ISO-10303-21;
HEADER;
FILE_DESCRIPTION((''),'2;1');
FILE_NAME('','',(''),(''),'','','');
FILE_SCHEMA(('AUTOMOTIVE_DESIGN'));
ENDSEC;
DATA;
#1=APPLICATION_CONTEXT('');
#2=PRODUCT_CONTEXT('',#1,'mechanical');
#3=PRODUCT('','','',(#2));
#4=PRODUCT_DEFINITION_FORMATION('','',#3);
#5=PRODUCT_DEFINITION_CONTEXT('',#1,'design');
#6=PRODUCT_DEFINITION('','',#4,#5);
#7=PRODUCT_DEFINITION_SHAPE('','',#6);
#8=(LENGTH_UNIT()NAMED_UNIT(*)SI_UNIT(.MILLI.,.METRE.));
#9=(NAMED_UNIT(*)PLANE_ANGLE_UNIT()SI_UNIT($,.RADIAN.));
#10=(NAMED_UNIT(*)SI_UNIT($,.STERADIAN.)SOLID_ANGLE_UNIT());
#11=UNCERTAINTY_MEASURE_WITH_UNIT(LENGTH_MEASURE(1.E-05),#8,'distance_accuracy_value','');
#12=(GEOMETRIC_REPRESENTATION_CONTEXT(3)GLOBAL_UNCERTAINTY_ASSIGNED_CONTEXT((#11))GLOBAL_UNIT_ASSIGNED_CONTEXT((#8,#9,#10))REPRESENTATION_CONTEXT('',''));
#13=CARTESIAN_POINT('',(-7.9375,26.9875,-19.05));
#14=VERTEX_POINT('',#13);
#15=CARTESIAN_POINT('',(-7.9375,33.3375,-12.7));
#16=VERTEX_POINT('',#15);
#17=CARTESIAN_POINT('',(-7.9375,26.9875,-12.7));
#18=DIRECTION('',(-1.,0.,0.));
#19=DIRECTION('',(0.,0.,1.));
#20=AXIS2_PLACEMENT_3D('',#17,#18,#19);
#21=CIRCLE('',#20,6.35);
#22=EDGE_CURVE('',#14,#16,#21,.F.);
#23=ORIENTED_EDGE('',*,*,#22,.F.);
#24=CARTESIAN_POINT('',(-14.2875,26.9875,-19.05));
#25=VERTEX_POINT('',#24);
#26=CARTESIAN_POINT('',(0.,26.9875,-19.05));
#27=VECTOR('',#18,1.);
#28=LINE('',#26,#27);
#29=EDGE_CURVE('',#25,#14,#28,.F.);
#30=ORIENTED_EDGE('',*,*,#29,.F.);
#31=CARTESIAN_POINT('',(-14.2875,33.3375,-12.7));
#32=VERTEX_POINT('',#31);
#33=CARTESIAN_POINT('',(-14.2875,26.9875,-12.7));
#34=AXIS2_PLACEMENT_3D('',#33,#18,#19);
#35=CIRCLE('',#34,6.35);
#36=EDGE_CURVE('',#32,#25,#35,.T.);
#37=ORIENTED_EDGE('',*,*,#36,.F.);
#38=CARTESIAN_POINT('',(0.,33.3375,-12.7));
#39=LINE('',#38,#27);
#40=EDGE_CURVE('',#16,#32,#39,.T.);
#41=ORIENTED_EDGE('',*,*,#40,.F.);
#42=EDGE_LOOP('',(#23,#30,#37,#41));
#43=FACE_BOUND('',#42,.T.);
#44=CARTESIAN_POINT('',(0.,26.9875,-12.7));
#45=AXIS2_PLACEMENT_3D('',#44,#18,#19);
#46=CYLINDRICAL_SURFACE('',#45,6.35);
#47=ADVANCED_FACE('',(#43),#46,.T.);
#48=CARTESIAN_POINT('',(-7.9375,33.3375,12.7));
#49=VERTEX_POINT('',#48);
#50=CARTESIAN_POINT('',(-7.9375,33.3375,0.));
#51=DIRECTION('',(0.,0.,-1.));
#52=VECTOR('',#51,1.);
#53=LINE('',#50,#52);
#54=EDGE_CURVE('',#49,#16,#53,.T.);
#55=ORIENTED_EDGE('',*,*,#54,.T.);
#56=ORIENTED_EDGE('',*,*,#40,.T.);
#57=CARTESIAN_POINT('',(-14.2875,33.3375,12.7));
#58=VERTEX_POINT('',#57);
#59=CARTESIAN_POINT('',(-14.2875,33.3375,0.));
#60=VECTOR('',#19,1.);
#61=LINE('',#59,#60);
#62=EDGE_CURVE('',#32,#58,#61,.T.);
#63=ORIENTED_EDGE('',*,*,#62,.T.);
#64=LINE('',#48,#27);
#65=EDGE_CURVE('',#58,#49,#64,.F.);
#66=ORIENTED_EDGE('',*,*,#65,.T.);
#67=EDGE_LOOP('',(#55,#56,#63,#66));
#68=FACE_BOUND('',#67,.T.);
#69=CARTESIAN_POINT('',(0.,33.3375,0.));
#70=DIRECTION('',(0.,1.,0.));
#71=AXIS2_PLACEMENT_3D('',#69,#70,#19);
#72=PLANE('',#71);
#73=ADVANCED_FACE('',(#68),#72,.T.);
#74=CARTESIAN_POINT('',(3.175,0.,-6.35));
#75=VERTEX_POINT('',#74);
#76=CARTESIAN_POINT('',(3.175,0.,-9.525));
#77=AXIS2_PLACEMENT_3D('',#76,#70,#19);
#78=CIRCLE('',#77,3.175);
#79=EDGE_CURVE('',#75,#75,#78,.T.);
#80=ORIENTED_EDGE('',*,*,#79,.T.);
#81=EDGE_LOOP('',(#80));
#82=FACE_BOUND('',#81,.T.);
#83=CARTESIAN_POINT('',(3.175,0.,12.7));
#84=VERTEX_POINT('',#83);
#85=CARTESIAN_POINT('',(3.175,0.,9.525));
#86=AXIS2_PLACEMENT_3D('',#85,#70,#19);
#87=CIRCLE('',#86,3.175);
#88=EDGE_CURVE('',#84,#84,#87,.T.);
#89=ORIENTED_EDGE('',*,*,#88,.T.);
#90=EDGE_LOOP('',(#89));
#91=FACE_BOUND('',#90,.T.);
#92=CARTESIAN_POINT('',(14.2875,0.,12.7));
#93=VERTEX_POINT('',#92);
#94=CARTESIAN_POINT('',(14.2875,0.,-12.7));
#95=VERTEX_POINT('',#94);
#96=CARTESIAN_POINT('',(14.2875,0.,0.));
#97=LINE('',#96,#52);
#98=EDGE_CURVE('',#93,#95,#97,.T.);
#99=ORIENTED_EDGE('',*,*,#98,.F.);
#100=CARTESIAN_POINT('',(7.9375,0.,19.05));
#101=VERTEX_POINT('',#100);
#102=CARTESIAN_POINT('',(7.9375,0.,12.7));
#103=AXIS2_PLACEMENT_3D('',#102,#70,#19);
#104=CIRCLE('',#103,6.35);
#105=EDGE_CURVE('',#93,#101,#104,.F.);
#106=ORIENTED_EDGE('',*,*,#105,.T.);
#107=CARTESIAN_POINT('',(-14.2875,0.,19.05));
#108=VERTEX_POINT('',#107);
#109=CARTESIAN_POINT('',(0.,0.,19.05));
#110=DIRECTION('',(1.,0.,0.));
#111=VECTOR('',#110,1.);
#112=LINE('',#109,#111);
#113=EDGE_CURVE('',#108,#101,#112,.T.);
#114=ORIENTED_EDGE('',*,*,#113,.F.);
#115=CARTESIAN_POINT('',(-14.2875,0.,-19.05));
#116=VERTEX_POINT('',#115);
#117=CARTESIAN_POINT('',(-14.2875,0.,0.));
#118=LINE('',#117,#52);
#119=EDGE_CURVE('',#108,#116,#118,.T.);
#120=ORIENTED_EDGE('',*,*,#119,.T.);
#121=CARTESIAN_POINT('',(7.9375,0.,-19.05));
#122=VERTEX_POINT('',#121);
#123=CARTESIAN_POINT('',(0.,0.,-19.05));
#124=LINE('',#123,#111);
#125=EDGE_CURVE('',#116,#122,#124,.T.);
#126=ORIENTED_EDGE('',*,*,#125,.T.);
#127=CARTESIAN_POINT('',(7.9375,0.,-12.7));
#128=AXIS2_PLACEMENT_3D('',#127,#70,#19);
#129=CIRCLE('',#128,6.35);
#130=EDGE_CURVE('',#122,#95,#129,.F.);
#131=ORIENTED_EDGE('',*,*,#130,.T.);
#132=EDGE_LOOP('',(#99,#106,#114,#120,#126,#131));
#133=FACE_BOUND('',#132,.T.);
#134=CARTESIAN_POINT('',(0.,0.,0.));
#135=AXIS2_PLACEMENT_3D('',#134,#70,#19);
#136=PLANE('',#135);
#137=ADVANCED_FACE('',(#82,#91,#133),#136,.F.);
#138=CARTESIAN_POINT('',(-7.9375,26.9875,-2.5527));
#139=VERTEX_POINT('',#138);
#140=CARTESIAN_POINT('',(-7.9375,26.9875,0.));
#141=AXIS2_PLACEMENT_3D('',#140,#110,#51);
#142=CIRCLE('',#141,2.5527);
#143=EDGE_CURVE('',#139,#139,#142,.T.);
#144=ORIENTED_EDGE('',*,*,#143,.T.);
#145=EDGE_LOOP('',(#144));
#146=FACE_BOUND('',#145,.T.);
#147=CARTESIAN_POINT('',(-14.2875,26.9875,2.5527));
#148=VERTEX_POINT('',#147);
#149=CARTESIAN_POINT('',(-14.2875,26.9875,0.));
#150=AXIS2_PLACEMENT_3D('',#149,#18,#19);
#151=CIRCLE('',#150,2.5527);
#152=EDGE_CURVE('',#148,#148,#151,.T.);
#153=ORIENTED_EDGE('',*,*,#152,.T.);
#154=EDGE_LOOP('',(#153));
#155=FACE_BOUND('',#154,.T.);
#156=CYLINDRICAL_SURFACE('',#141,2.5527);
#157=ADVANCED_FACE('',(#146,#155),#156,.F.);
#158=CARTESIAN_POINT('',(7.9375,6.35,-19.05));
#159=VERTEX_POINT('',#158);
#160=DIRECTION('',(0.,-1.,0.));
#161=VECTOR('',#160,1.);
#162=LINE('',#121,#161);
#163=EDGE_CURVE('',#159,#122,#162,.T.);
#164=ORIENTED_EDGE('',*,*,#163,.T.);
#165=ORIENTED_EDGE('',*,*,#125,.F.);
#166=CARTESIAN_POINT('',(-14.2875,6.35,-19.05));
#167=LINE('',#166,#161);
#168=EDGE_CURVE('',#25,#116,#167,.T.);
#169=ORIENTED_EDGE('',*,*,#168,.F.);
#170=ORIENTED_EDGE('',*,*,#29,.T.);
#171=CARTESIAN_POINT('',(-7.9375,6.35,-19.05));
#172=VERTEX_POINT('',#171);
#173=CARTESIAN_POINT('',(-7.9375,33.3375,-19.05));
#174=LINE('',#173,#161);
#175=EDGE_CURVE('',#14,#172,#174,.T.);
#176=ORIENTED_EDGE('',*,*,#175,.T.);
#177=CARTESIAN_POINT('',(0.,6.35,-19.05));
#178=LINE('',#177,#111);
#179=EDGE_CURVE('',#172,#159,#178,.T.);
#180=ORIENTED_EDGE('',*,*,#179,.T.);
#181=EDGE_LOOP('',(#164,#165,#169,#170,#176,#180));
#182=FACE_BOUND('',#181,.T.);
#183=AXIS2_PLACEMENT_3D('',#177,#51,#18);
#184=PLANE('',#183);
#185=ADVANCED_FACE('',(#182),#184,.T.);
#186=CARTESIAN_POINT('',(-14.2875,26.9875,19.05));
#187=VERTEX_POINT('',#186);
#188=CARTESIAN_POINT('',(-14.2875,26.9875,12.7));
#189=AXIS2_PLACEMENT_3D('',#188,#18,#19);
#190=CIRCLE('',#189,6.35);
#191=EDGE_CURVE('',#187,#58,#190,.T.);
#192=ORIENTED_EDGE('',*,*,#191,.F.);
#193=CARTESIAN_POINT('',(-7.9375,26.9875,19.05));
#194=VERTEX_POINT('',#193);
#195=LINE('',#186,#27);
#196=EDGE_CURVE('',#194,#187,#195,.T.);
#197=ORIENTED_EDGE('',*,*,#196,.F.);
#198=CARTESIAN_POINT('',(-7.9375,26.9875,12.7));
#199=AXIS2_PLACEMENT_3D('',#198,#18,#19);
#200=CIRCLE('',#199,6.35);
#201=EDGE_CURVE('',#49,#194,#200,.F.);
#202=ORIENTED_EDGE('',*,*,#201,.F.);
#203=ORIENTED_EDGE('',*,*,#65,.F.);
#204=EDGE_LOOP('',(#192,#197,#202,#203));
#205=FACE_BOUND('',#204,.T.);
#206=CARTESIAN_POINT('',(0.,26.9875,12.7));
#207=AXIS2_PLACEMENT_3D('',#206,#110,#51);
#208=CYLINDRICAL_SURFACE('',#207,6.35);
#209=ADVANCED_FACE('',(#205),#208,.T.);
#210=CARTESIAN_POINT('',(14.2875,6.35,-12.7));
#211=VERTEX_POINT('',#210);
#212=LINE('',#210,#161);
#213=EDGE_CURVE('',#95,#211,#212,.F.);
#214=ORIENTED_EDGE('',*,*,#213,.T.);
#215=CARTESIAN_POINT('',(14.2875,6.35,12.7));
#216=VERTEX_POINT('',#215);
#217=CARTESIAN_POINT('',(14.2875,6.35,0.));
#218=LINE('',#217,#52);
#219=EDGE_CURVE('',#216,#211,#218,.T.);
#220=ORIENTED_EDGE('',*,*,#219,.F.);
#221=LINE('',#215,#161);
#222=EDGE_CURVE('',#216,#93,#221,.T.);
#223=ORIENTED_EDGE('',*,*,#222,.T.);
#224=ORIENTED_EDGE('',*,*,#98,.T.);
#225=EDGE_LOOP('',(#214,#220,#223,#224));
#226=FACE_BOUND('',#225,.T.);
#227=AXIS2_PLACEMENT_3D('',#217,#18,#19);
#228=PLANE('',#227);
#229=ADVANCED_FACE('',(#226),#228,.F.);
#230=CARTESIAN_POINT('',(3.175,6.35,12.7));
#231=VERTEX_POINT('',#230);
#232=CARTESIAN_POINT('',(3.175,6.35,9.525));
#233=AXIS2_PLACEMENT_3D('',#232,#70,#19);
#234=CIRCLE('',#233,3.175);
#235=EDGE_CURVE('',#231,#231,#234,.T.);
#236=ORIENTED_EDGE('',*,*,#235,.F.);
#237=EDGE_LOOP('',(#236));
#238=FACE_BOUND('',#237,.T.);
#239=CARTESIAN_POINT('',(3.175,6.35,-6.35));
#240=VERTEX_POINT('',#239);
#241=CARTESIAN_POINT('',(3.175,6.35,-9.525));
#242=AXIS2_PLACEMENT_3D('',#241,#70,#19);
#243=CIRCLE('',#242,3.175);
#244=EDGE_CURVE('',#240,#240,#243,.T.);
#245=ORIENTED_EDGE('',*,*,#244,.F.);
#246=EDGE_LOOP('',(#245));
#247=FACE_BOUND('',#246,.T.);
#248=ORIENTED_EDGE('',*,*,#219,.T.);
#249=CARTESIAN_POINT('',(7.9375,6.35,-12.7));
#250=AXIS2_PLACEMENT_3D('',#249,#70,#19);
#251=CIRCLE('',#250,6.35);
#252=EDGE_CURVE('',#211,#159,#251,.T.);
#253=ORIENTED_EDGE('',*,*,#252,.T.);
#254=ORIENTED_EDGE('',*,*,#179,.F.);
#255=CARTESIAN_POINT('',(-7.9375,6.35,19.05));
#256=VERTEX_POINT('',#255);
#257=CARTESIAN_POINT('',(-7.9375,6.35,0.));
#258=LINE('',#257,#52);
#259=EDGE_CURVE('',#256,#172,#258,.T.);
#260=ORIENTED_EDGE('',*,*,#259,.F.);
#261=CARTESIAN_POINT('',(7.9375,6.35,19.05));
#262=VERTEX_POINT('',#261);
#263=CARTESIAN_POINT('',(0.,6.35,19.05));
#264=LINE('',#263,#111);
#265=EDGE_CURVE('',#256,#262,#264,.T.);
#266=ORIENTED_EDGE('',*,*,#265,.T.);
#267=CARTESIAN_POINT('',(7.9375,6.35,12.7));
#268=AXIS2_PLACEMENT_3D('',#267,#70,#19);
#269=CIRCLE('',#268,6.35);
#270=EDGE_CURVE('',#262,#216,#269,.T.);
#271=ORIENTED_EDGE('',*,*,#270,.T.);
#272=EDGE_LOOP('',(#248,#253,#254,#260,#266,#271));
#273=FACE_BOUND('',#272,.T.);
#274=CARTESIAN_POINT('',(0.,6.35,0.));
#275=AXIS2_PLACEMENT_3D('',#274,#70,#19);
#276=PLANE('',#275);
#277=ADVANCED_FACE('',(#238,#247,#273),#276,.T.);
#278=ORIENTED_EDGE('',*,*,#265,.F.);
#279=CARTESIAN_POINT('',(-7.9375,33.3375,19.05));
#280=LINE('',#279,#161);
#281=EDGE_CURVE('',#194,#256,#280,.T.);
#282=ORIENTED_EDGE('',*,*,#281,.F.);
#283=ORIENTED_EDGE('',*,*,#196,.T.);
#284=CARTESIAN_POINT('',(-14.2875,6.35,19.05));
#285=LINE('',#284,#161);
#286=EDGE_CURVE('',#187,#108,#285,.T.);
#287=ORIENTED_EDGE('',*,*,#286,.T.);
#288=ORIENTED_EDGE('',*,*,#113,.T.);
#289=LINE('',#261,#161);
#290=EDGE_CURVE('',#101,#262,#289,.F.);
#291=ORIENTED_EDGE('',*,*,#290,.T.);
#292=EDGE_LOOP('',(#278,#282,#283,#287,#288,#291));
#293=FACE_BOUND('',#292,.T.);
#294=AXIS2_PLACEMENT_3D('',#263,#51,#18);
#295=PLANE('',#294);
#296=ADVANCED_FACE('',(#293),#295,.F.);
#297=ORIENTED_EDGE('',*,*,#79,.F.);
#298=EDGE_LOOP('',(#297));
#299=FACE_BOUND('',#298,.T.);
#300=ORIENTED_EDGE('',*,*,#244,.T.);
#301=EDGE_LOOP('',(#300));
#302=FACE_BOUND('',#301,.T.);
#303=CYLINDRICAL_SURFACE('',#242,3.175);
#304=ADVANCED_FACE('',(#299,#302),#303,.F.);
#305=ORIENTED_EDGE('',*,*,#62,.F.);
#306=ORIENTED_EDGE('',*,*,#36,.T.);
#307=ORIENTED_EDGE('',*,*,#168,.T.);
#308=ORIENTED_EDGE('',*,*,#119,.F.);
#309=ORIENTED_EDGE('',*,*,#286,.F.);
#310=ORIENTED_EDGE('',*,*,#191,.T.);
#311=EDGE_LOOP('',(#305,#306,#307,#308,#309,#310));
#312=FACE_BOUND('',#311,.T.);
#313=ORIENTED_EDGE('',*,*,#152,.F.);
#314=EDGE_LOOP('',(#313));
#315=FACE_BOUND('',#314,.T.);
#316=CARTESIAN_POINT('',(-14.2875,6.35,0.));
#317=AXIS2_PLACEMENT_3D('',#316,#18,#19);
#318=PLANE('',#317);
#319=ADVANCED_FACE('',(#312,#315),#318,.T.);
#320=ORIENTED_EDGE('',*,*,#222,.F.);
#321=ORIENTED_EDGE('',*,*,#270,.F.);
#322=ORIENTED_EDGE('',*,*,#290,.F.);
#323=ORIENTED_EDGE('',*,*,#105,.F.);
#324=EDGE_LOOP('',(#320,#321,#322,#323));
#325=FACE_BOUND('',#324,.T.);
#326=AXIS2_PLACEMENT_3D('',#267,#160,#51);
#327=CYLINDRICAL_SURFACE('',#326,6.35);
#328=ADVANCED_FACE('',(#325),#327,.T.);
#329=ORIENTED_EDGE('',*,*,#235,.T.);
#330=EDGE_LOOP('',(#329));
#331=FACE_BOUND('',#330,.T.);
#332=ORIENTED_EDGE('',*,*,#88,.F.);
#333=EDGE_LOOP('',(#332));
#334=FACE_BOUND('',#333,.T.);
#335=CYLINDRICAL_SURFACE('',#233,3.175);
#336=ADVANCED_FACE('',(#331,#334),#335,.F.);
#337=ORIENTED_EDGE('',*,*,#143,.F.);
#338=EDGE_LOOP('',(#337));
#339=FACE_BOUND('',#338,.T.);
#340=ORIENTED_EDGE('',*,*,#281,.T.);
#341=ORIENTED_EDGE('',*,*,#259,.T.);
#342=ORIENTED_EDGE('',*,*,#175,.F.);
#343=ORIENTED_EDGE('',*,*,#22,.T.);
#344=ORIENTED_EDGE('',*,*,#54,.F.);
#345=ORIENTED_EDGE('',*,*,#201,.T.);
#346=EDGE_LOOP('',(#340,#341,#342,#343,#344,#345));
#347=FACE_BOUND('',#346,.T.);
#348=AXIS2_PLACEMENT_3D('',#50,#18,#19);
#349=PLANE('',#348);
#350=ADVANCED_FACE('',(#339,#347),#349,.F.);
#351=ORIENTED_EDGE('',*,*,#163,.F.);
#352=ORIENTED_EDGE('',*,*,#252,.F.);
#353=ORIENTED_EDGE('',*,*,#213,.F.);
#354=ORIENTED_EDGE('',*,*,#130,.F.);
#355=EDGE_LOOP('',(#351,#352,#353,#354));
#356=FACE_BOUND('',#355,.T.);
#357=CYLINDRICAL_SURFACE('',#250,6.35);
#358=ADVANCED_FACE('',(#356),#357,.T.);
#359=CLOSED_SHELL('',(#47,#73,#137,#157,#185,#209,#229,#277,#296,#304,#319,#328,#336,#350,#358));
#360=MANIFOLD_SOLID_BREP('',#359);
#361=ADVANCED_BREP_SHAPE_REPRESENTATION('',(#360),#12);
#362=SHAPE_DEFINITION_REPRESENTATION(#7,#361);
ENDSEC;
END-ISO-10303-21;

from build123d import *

# Parameters (mm, degrees)
SKETCH8_W                   = 6.35
SKETCH8_H                   = 38.1
SKETCH8_W_2                 = 22.225
BOSS_EXTRUDE2_DEPTH         = 6.35
BOSS_EXTRUDE3_START         = 6.35
SKETCH8_3_W                 = 6.35
SKETCH8_3_H                 = 38.1
BOSS_EXTRUDE3_DEPTH         = 26.9875
F_1_4_0_25_DIAMETER_HOLE2_D = 6.35
F_1_4_20_TAPPED_HOLE1_D     = 5.1054
F_1_4_20_TAPPED_HOLE1_DEPTH = 16.51
F_1_4_20_TAPPED_HOLE1_TIP   = 1.533816902
FILLET1_R                   = 6.35
FILLET2_R                   = 6.35


with BuildPart() as part:
    # Sketch8 → Boss-Extrude2 (new body)
    with BuildSketch(Plane(origin=(0, 0, 0), x_dir=(1, 0, 0), z_dir=(0, 1, 0))):
        with Locations((-11.1125, 0)):
            Rectangle(SKETCH8_W, SKETCH8_H)
        with Locations((3.175, 0)):
            Rectangle(SKETCH8_W_2, SKETCH8_H)
    extrude(amount=BOSS_EXTRUDE2_DEPTH)

    # Sketch8<3> → Boss-Extrude3 (add)
    with BuildSketch(Plane(origin=(0, 0, 0), x_dir=(1, 0, 0), z_dir=(0, 1, 0)).offset(BOSS_EXTRUDE3_START)):
        with Locations((-11.1125, 0)):
            Rectangle(SKETCH8_3_W, SKETCH8_3_H)
    extrude(amount=BOSS_EXTRUDE3_DEPTH)

    # 1/4 (0.25) Diameter Hole2 (through all)
    with Locations(Plane(origin=(0, 6.35, 0), x_dir=(1, 0, 0), z_dir=(0, 1, 0))):
        with Locations((3.175, -9.525), (3.175, 9.525)):
            Hole(F_1_4_0_25_DIAMETER_HOLE2_D / 2)

    # 1/4-20 Tapped Hole1
    with Locations(Plane(origin=(-7.9375, 0, 0), x_dir=(0, 0, -1), z_dir=(1, 0, 0))):
        with Locations((0, 26.9875)):
            Hole(F_1_4_20_TAPPED_HOLE1_D / 2, depth=F_1_4_20_TAPPED_HOLE1_DEPTH)
            with Locations((0, 0, -(F_1_4_20_TAPPED_HOLE1_DEPTH + F_1_4_20_TAPPED_HOLE1_TIP / 2))):  # 118° drill point
                Cone(0, F_1_4_20_TAPPED_HOLE1_D / 2, F_1_4_20_TAPPED_HOLE1_TIP, mode=Mode.SUBTRACT)

    # Fillet1
    fillet1_edges = [part.edges().sort_by_distance(p)[0] for p in [
        (14.2875, 3.175, -19.05),
        (14.2875, 3.175, 19.05),
    ]]
    fillet(fillet1_edges, radius=FILLET1_R)

    # Fillet2
    fillet2_edges = [part.edges().sort_by_distance(p)[0] for p in [
        (-11.1125, 33.3375, 19.05),
        (-11.1125, 33.3375, -19.05),
    ]]
    fillet(fillet2_edges, radius=FILLET2_R)


solid = part.part
